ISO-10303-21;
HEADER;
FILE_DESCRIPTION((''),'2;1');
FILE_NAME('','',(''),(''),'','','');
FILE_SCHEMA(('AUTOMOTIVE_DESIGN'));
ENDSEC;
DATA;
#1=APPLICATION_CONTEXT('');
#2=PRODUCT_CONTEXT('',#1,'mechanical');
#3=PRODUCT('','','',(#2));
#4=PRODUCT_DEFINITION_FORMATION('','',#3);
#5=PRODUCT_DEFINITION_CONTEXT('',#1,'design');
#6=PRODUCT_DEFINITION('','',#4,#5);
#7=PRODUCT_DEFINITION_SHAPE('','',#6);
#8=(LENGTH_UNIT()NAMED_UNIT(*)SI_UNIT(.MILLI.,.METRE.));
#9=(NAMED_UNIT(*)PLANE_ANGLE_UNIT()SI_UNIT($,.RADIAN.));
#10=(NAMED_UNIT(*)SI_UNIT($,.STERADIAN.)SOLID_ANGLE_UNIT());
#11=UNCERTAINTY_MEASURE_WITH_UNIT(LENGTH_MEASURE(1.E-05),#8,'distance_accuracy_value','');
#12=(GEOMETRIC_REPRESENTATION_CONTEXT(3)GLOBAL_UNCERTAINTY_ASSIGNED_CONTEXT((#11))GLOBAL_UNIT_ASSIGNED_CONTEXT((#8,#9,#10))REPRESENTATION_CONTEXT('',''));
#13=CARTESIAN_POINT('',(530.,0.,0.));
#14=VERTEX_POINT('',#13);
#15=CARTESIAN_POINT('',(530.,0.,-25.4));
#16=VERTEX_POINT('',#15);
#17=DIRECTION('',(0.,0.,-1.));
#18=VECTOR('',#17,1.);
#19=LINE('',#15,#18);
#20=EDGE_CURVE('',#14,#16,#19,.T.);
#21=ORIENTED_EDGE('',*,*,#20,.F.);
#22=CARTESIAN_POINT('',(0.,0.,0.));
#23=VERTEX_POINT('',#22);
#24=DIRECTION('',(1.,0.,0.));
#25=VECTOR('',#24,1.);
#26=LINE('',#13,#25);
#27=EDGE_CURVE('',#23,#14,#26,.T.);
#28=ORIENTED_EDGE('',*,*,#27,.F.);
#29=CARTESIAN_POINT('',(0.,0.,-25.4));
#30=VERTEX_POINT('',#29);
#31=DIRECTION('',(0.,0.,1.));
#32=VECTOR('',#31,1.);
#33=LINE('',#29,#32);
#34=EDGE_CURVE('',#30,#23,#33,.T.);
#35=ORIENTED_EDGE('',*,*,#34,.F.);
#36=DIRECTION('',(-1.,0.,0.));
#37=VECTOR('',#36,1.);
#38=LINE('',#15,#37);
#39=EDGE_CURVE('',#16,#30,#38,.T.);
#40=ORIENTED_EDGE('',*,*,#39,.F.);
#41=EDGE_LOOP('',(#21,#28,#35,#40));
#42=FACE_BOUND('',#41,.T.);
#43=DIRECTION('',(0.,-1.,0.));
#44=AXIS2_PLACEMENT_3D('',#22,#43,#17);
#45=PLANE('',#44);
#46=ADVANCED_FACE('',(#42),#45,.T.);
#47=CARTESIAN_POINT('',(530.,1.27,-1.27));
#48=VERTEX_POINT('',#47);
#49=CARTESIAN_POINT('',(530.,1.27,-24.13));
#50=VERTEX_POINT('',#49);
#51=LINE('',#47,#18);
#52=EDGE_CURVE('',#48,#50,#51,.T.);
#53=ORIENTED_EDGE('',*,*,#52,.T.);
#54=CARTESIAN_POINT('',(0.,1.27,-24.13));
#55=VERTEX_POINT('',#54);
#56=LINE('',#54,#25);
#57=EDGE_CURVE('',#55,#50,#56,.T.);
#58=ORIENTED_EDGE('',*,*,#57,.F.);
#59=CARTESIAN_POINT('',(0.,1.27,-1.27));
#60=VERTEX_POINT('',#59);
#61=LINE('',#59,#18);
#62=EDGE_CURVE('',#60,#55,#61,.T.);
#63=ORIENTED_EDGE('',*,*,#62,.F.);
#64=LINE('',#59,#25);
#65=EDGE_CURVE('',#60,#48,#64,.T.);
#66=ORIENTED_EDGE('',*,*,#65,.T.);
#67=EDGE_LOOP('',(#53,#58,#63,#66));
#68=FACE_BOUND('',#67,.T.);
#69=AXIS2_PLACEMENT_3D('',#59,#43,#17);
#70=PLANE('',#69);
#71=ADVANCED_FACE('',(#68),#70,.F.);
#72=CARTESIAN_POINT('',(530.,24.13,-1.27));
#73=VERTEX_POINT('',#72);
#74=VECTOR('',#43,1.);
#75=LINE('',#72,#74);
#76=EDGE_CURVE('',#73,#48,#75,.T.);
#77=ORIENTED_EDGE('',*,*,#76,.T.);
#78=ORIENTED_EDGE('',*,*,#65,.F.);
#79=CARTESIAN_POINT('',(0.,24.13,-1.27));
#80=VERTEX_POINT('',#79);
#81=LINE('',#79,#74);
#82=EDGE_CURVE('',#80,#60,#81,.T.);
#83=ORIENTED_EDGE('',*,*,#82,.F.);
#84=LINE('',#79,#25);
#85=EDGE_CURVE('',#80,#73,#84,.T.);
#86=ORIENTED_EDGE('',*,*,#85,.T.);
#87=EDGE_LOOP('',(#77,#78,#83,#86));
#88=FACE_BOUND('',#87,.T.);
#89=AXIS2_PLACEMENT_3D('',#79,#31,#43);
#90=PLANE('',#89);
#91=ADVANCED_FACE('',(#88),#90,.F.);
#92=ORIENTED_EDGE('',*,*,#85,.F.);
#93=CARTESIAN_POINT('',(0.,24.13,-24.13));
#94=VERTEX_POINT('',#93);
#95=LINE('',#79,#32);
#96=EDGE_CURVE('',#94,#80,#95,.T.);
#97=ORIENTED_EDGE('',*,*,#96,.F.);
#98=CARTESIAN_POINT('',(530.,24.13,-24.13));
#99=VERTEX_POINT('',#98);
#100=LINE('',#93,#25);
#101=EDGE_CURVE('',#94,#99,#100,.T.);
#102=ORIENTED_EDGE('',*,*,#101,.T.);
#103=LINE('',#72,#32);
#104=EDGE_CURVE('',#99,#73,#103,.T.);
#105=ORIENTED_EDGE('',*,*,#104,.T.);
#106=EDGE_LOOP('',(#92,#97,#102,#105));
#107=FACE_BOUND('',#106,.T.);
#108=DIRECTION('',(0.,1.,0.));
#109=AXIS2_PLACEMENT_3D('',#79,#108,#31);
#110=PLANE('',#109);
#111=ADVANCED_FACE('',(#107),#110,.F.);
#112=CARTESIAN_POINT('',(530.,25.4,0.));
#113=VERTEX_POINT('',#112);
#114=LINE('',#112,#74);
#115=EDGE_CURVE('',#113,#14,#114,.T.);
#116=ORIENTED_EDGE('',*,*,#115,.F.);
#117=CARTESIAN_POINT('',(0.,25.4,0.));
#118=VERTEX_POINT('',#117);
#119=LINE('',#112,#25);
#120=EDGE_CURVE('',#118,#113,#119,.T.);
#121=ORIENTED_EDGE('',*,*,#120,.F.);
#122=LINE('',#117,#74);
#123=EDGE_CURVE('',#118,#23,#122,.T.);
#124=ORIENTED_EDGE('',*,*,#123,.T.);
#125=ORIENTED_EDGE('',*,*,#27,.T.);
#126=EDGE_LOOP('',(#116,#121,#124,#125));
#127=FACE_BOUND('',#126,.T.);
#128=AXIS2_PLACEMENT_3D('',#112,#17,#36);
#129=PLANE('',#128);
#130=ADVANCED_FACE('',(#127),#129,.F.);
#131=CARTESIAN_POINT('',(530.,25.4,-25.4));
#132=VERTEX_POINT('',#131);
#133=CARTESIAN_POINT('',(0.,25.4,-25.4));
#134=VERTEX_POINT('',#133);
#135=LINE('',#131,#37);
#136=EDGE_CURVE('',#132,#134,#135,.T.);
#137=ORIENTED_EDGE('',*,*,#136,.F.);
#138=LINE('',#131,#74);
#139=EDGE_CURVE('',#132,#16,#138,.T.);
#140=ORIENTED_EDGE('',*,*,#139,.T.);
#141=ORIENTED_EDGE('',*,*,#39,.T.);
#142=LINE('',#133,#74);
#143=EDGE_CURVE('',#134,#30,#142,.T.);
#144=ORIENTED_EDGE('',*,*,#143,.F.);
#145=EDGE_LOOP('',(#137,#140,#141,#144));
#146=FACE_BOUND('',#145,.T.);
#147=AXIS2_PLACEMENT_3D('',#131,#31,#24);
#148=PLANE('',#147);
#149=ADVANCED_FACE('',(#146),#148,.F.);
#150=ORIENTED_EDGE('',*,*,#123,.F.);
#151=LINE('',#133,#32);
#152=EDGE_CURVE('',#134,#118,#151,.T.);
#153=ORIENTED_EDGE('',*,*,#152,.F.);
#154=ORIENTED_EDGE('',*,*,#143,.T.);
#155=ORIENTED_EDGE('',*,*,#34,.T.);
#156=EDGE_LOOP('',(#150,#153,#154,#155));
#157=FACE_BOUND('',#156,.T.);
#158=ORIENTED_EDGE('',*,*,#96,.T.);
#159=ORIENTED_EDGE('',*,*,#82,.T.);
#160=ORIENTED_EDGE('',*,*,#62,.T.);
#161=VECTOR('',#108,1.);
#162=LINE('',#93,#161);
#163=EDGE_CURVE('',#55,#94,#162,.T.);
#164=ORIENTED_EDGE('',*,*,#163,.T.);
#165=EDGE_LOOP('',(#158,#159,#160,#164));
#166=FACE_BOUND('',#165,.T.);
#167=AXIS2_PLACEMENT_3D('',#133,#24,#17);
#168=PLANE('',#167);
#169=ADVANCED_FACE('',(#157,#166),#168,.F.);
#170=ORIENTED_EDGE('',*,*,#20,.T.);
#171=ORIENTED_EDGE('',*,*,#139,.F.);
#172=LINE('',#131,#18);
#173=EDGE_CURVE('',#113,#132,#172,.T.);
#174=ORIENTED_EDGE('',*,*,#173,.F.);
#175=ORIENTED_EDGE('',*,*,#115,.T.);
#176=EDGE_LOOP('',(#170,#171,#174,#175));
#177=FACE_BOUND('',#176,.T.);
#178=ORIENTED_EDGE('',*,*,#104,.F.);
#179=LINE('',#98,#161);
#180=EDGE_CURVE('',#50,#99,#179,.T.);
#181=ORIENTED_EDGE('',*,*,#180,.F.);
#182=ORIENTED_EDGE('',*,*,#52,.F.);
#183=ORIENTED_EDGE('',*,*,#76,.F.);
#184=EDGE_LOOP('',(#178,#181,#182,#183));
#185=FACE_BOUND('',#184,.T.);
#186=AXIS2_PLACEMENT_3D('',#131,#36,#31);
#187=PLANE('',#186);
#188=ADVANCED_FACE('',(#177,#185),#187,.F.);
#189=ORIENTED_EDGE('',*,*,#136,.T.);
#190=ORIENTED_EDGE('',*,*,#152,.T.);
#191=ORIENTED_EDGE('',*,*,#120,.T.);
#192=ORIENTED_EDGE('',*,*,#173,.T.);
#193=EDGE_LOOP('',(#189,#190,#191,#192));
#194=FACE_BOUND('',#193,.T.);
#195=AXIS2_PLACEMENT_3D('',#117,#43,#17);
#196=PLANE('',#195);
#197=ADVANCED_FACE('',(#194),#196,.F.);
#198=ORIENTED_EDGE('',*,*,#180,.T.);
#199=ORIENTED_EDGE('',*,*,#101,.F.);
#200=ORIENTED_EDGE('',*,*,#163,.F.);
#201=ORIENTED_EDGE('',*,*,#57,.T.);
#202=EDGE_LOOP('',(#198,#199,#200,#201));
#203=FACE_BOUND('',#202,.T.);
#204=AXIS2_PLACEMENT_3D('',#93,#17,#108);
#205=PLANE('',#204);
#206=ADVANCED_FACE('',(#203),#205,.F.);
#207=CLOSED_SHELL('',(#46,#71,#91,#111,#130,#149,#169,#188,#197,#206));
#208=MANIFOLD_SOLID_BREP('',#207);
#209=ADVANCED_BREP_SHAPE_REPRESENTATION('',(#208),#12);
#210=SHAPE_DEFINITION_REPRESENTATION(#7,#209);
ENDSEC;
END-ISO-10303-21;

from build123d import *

# Parameters (mm, degrees)
SKETCH1_W           = 530
SKETCH1_H           = 25.4
BOSS_EXTRUDE1_DEPTH = 25.4
SKETCH2_W           = 22.86
SKETCH2_H           = 22.86
CUT_EXTRUDE1_DEPTH  = 532.215888317


with BuildPart() as part:
    # Sketch1 → Boss-Extrude1 (new body)
    with BuildSketch(Plane(origin=(0, 0, 0), x_dir=(1, 0, 0), z_dir=(0, 1, 0))):
        with Locations((265, 12.7)):
            Rectangle(SKETCH1_W, SKETCH1_H)
    extrude(amount=BOSS_EXTRUDE1_DEPTH)

    # Sketch2 → Cut-Extrude1 (cut, through all)
    with BuildSketch(Plane(origin=(530, 0, 0), x_dir=(0, 0, -1), z_dir=(1, 0, 0))):
        with Locations((12.7, 12.7)):
            Rectangle(SKETCH2_W, SKETCH2_H)
    extrude(amount=-CUT_EXTRUDE1_DEPTH, mode=Mode.SUBTRACT)


solid = part.part
